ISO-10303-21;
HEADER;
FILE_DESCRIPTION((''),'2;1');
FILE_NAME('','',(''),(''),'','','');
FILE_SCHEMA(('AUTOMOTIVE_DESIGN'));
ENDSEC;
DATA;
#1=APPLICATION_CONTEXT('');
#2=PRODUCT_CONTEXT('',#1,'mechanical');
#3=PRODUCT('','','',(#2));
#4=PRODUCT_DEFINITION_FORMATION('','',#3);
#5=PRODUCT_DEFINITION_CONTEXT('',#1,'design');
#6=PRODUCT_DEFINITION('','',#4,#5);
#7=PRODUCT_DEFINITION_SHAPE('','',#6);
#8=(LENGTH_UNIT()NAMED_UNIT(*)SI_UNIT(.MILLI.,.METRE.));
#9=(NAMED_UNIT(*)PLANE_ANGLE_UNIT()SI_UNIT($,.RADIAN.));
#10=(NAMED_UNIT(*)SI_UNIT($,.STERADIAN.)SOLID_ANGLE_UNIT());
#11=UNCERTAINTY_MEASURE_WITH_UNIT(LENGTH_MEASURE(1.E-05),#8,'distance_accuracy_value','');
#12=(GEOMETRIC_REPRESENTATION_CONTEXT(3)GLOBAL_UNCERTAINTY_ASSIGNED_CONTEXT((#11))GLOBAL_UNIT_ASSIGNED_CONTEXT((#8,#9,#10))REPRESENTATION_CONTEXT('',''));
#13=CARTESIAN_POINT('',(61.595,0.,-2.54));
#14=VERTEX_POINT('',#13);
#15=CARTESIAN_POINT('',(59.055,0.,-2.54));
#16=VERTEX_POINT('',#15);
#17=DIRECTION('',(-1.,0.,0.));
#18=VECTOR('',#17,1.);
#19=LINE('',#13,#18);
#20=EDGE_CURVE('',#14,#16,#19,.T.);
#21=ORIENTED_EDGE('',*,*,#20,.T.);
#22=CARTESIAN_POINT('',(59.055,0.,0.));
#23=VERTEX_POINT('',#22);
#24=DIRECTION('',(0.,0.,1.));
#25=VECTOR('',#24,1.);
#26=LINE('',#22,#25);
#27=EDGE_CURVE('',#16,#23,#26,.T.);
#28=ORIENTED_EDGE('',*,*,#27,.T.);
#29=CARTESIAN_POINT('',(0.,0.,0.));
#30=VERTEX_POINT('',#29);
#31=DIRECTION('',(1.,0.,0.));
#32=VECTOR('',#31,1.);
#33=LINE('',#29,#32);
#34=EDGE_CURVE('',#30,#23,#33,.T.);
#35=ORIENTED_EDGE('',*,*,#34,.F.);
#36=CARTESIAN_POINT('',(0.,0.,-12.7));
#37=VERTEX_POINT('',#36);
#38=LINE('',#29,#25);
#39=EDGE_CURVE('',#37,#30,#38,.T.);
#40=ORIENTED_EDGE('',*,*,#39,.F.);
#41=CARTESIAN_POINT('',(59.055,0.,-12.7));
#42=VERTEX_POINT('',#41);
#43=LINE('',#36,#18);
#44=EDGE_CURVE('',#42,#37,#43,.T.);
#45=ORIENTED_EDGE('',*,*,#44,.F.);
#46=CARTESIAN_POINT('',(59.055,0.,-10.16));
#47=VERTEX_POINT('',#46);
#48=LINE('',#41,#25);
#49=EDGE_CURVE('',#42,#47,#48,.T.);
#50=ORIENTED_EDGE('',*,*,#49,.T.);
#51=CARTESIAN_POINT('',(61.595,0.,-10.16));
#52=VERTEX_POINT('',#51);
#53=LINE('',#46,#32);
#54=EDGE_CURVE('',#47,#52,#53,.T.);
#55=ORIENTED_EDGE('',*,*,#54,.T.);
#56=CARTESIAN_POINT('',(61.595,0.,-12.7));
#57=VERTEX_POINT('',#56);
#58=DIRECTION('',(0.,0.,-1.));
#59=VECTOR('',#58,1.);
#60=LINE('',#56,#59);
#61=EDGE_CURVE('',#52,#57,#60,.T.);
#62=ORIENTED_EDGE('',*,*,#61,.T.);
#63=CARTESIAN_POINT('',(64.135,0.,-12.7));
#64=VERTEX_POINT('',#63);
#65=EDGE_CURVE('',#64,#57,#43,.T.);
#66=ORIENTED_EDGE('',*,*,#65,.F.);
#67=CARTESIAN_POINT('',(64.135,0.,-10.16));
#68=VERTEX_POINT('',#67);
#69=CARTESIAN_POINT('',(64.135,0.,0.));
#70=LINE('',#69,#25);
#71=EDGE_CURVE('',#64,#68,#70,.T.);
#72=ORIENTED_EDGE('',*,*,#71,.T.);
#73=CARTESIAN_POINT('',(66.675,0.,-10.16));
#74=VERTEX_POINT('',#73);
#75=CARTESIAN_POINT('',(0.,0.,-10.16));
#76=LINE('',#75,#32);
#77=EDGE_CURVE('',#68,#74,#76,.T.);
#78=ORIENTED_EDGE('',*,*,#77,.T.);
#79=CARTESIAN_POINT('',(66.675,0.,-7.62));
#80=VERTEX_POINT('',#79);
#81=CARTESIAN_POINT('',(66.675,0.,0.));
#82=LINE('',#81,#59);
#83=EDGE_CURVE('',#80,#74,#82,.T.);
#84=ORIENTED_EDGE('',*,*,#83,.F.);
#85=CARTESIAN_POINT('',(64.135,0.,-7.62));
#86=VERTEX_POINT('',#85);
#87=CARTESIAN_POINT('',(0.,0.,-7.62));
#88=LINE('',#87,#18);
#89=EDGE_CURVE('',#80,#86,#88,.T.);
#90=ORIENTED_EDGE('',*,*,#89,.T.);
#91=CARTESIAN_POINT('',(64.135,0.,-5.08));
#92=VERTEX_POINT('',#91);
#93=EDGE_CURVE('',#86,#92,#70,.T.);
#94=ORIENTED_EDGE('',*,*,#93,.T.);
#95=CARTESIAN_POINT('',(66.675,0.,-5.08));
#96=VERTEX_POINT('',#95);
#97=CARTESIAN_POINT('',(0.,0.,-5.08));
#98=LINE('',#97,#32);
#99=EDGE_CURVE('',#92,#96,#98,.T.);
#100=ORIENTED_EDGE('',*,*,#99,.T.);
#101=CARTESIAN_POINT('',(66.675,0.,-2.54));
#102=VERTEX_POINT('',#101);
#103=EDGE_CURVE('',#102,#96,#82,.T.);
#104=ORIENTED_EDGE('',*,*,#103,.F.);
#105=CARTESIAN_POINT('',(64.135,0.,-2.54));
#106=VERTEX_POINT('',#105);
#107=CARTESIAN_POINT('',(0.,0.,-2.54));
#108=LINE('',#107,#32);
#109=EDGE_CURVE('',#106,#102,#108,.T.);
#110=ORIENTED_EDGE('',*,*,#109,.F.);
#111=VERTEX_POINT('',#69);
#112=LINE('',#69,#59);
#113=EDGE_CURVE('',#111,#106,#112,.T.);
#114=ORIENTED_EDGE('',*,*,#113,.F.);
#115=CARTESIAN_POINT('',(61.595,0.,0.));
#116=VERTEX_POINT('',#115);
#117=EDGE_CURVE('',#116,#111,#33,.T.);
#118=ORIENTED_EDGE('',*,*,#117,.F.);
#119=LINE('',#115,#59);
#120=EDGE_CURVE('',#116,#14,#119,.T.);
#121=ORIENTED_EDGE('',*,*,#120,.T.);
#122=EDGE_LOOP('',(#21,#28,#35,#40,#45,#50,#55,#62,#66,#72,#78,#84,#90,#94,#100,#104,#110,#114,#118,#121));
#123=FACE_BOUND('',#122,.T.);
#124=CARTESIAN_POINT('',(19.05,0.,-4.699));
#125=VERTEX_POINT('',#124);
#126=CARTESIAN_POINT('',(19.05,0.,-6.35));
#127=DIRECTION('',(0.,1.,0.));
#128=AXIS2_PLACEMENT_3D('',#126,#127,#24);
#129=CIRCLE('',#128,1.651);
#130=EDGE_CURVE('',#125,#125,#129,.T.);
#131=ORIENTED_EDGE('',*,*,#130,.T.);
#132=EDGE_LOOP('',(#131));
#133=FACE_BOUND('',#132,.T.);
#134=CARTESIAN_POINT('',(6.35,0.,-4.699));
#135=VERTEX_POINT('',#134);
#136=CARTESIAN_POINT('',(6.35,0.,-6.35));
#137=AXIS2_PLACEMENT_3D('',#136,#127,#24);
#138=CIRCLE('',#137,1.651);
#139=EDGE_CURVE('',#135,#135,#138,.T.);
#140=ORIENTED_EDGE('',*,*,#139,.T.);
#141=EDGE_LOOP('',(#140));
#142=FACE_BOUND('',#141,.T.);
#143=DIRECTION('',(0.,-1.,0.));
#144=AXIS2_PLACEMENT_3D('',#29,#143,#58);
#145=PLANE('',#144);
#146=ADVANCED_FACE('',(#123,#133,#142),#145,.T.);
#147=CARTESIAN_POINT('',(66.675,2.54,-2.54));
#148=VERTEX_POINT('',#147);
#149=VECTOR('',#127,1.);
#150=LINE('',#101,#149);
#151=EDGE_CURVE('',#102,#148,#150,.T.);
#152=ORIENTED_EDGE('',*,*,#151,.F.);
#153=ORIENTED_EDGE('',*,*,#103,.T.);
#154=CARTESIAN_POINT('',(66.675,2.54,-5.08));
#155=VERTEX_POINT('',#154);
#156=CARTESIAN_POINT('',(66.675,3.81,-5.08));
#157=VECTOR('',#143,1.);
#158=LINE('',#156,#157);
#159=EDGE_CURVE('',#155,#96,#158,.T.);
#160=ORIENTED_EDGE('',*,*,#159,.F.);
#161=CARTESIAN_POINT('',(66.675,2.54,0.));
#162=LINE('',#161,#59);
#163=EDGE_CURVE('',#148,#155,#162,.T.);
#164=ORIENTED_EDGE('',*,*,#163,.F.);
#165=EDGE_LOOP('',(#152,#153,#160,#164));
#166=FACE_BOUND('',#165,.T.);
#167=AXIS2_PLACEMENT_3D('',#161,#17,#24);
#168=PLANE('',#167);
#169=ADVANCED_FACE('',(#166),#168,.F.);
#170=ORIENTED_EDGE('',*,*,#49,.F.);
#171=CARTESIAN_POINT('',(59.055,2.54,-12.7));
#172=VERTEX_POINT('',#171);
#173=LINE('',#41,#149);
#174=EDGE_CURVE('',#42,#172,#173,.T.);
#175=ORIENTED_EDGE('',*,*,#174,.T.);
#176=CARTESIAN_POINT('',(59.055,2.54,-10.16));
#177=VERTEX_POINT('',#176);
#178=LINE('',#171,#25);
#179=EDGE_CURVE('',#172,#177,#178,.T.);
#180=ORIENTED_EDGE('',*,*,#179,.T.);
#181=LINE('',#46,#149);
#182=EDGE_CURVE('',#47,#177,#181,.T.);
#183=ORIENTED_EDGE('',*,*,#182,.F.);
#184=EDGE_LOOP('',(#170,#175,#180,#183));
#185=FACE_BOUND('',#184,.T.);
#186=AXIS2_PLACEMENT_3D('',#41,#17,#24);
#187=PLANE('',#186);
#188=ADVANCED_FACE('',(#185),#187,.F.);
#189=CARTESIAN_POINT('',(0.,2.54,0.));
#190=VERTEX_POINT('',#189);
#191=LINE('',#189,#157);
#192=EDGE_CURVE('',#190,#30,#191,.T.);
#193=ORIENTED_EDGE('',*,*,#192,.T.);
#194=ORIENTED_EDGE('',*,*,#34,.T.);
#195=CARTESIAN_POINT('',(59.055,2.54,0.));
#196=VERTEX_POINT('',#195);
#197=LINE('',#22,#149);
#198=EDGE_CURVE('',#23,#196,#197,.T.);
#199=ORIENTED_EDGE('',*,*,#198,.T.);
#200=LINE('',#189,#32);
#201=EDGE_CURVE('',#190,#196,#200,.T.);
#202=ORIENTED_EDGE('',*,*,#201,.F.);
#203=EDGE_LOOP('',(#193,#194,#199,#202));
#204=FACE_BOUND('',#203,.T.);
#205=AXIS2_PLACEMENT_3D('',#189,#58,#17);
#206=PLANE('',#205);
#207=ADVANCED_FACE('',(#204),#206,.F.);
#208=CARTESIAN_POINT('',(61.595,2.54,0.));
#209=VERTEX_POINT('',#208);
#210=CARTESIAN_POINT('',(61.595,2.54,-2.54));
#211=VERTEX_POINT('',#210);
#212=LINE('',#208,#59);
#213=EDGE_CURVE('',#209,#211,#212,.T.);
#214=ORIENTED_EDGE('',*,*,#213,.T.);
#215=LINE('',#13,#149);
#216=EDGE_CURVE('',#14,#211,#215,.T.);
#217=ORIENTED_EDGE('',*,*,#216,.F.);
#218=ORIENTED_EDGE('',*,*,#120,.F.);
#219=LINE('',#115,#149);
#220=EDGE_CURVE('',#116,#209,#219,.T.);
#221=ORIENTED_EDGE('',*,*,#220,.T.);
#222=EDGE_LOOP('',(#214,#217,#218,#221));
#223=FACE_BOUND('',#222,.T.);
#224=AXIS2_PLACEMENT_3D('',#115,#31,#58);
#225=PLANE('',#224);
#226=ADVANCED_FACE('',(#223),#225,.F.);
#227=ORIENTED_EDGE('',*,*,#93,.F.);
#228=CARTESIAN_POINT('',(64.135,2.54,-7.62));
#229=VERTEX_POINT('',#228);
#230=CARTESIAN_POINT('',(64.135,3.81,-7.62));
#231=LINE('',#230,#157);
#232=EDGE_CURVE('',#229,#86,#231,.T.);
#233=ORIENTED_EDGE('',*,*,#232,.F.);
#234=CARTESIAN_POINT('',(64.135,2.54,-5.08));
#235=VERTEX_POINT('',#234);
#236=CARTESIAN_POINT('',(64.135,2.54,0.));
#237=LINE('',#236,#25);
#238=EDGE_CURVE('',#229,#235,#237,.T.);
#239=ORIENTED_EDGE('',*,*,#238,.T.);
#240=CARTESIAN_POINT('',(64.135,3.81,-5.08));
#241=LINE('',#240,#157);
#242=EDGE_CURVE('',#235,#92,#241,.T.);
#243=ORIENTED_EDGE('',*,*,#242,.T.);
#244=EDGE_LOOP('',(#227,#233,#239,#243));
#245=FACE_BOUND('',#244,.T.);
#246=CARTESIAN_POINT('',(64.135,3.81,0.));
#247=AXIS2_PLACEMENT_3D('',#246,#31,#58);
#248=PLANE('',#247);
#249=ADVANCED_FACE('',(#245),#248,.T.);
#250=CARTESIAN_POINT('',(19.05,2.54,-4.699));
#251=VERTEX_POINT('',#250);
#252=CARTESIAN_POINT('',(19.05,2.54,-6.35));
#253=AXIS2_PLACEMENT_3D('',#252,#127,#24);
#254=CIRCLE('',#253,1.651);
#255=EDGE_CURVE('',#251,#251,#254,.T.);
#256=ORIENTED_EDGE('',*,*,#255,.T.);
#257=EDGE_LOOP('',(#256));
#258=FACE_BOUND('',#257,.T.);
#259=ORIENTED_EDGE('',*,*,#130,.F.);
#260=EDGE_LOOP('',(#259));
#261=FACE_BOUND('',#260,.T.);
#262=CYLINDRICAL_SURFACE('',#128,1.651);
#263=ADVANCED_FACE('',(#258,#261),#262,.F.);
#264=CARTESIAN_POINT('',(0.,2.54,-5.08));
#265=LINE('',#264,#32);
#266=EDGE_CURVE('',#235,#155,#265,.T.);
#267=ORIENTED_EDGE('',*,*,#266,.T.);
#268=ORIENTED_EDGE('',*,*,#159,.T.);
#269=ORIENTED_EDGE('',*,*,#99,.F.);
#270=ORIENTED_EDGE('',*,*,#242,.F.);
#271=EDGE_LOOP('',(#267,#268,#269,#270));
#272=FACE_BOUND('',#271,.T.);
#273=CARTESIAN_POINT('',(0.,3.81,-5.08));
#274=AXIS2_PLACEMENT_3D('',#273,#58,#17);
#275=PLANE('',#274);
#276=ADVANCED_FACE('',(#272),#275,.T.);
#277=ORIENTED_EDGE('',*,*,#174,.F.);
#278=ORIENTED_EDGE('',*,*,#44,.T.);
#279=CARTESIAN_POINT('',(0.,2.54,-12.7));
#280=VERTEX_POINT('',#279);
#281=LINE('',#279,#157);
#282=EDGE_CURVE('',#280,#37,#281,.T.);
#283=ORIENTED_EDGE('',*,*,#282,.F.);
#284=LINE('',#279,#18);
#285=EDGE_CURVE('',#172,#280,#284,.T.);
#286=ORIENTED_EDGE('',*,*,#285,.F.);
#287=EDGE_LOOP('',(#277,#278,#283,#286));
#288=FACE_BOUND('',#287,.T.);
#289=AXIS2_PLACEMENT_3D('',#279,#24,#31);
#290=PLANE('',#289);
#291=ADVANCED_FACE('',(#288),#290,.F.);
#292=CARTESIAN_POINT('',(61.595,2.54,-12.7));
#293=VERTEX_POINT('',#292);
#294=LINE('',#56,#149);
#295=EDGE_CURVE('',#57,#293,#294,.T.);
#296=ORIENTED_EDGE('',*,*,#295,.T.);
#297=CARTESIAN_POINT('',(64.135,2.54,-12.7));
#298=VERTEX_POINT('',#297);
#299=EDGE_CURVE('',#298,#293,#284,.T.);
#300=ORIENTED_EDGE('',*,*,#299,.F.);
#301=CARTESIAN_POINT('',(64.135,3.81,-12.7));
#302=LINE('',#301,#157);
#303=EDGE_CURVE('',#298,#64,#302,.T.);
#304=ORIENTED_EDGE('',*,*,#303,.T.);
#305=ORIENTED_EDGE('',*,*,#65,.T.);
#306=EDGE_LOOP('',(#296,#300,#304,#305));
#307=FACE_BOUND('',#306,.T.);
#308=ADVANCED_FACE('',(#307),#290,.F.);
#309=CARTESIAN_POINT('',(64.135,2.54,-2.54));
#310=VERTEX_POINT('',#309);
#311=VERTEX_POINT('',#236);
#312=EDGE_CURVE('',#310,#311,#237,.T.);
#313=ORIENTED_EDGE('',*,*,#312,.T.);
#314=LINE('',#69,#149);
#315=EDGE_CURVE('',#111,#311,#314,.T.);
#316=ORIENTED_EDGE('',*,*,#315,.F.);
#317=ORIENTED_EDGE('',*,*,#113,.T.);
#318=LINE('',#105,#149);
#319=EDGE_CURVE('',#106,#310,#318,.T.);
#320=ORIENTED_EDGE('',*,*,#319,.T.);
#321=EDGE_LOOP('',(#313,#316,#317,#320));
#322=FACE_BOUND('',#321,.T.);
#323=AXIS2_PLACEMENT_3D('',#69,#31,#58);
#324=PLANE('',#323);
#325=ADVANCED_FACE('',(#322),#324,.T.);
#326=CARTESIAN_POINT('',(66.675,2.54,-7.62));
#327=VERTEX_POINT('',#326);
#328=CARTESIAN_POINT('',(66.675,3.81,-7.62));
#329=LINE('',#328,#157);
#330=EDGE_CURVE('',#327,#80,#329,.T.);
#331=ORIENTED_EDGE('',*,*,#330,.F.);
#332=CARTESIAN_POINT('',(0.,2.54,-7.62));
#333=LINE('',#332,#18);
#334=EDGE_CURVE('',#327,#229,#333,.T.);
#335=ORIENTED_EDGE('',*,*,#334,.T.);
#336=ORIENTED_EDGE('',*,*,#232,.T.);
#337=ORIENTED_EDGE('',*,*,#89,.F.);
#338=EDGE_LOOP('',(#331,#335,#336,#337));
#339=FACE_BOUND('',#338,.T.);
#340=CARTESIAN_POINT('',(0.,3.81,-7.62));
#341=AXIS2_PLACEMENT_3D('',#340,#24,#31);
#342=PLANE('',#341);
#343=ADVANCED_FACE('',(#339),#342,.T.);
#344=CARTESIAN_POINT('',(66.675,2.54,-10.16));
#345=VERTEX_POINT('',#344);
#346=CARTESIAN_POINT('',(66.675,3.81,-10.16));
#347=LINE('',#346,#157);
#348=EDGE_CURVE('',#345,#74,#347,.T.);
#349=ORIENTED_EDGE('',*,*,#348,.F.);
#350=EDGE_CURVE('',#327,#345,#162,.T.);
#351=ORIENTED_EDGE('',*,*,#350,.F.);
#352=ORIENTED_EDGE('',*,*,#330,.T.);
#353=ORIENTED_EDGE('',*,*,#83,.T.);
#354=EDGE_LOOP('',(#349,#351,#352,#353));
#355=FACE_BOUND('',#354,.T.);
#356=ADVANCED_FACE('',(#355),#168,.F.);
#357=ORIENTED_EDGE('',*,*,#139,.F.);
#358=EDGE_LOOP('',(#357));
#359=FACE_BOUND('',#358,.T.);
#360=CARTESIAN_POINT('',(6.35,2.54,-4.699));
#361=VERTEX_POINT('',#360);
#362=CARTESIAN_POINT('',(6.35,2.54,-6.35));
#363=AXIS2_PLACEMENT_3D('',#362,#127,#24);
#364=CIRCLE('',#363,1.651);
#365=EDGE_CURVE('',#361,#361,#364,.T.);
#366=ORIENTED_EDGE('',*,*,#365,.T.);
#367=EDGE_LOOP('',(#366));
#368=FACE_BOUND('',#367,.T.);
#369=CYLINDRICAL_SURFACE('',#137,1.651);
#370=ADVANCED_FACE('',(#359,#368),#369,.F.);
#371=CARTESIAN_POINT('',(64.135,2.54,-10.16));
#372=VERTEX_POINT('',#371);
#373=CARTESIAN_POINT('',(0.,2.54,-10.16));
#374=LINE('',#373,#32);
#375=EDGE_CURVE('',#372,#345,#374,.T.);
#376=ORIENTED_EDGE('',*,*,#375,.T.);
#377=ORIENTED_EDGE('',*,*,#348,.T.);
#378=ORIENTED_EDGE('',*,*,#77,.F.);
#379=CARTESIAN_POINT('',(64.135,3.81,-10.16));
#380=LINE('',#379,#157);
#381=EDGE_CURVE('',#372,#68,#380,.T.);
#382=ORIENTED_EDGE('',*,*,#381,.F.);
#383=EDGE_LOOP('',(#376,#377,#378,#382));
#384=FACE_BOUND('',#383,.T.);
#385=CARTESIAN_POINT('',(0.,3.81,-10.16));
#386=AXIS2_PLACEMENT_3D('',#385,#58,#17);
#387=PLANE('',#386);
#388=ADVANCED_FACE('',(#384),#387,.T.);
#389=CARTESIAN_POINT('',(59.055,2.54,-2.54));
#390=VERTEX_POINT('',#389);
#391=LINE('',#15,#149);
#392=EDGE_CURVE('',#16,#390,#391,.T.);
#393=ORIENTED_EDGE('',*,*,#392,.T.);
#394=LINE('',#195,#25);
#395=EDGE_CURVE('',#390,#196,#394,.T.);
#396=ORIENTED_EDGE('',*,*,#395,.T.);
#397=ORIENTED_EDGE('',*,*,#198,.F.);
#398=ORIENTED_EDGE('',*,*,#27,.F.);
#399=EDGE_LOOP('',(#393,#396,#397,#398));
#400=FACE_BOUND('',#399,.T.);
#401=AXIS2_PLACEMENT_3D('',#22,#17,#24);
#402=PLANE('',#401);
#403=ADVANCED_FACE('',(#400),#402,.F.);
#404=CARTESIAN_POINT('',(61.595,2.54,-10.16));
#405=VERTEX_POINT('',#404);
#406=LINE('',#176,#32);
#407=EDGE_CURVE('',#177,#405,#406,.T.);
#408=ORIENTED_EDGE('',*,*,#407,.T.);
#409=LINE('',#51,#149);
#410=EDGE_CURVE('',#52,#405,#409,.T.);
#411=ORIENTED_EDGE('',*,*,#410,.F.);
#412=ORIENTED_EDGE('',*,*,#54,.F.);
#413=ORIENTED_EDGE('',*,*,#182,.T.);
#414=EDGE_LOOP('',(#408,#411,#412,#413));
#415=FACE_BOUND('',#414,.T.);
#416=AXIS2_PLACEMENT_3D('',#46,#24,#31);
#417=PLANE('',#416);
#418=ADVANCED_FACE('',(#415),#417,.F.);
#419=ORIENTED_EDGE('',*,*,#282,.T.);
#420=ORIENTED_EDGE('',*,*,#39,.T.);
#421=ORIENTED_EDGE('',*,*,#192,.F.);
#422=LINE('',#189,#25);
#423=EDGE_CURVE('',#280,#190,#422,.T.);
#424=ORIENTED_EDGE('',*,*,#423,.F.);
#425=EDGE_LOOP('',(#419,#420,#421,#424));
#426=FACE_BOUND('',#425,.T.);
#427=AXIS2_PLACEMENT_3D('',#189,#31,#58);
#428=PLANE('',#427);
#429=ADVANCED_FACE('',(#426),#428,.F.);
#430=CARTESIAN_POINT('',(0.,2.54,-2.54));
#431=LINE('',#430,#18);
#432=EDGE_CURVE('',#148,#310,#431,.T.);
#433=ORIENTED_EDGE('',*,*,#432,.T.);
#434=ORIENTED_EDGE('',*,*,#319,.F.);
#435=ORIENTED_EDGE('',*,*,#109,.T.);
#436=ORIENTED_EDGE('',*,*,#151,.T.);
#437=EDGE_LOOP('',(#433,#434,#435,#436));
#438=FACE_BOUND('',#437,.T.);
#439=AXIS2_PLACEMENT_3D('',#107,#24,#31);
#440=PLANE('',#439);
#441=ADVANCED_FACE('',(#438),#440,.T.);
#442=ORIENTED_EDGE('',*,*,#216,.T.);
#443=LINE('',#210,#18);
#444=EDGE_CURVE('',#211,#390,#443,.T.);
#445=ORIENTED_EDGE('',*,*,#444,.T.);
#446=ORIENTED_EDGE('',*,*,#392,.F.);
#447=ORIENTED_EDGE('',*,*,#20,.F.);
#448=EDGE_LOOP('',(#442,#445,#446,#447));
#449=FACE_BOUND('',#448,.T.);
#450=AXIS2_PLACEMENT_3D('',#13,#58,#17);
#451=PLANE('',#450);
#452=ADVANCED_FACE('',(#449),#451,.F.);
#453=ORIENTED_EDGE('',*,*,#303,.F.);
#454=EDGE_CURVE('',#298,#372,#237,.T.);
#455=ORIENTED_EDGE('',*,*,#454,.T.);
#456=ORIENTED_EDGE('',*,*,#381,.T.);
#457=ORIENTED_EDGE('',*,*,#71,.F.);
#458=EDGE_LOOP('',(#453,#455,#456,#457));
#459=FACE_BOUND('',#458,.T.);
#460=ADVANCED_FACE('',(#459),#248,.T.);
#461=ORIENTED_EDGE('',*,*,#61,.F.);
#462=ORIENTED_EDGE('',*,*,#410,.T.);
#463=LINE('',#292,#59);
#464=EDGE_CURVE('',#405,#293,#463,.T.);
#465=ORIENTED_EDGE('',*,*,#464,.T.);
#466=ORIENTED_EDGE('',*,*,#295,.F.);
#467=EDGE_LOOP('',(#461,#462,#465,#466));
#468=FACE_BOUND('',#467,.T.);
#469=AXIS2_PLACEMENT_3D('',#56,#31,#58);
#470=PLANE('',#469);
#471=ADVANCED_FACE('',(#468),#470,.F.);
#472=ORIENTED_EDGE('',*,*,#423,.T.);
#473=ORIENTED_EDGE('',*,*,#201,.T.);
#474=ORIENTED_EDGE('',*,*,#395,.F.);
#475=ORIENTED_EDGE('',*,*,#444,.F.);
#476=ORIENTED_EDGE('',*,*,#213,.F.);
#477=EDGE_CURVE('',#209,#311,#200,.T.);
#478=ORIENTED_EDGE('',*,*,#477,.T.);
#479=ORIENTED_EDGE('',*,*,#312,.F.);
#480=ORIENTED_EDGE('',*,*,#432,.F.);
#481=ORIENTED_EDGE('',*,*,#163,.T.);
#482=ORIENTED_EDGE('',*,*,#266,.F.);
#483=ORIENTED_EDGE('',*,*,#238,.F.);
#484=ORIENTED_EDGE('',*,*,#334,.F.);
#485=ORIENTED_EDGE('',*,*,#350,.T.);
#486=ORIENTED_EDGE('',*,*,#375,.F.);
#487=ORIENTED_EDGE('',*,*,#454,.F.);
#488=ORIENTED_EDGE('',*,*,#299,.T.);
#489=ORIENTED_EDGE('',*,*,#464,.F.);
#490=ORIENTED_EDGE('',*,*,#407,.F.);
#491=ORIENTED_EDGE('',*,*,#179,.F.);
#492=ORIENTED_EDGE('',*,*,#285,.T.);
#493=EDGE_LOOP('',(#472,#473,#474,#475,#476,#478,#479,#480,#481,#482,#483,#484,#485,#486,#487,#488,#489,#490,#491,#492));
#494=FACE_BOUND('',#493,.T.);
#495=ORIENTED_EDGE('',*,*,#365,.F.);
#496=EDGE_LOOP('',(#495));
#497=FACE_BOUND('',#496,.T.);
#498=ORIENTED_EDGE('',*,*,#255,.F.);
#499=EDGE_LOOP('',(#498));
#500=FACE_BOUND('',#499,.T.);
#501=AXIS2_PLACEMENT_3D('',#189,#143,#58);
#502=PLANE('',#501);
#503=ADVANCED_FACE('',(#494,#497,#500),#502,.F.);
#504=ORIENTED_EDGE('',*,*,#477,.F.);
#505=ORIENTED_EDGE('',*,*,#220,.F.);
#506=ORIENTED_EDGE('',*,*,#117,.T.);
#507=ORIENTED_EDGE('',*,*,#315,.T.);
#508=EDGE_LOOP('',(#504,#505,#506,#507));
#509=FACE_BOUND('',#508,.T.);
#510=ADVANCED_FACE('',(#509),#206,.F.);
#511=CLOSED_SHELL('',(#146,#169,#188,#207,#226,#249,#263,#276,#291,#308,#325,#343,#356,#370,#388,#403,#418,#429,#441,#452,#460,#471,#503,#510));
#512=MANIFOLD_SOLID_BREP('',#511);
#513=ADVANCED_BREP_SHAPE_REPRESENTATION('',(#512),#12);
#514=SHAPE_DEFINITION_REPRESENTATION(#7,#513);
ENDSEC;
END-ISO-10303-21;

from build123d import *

# Parameters (mm, degrees)
SKETCH1_W               = 66.675
SKETCH1_H               = 12.7
BOSS_EXTRUDE1_DEPTH     = 2.54
CUT_EXTRUDE1_DEPTH      = 1.27
CUT_EXTRUDE1_DEPTH_BACK = 68.921257534
SKETCH3_W               = 2.54
SKETCH3_H               = 2.54
SKETCH4_R               = 1.651
CUT_EXTRUDE2_DEPTH      = 68.921257534
SKETCH5_W               = 2.54
SKETCH5_H               = 2.54
CUT_EXTRUDE3_DEPTH      = 68.921257534


with BuildPart() as part:
    # Sketch1 → Boss-Extrude1 (new body)
    with BuildSketch(Plane(origin=(0, 0, 0), x_dir=(1, 0, 0), z_dir=(0, 1, 0))):
        with Locations((33.3375, 6.35)):
            Rectangle(SKETCH1_W, SKETCH1_H)
    extrude(amount=BOSS_EXTRUDE1_DEPTH)

    # Sketch3 → Cut-Extrude1 (cut, two sides: drawn at the far end of the back side and taken through both)
    with BuildSketch(Plane(origin=(0, 2.54, 0), x_dir=(1, 0, 0), z_dir=(0, 1, 0)).offset(-CUT_EXTRUDE1_DEPTH_BACK)):
        with Locations((65.405, 6.35)):
            Rectangle(SKETCH3_W, SKETCH3_H)
        with Locations((65.405, 11.43)):
            Rectangle(SKETCH3_W, SKETCH3_H)
        with Locations((65.405, 1.27)):
            Rectangle(SKETCH3_W, SKETCH3_H)
    extrude(amount=CUT_EXTRUDE1_DEPTH + CUT_EXTRUDE1_DEPTH_BACK, mode=Mode.SUBTRACT)

    # Sketch4 → Cut-Extrude2 (cut, through all)
    with BuildSketch(Plane(origin=(0, 2.54, 0), x_dir=(1, 0, 0), z_dir=(0, 1, 0))):
        with Locations((6.35, 6.35)):
            Circle(SKETCH4_R)
        with Locations((19.05, 6.35)):
            Circle(SKETCH4_R)
    extrude(amount=-CUT_EXTRUDE2_DEPTH, mode=Mode.SUBTRACT)

    # Sketch5 → Cut-Extrude3 (cut, through all)
    with BuildSketch(Plane(origin=(0, 2.54, 0), x_dir=(1, 0, 0), z_dir=(0, 1, 0))):
        with Locations((60.325, 1.27)):
            Rectangle(SKETCH5_W, SKETCH5_H)
        with Locations((60.325, 11.43)):
            Rectangle(SKETCH5_W, SKETCH5_H)
    extrude(amount=-CUT_EXTRUDE3_DEPTH, mode=Mode.SUBTRACT)


solid = part.part
